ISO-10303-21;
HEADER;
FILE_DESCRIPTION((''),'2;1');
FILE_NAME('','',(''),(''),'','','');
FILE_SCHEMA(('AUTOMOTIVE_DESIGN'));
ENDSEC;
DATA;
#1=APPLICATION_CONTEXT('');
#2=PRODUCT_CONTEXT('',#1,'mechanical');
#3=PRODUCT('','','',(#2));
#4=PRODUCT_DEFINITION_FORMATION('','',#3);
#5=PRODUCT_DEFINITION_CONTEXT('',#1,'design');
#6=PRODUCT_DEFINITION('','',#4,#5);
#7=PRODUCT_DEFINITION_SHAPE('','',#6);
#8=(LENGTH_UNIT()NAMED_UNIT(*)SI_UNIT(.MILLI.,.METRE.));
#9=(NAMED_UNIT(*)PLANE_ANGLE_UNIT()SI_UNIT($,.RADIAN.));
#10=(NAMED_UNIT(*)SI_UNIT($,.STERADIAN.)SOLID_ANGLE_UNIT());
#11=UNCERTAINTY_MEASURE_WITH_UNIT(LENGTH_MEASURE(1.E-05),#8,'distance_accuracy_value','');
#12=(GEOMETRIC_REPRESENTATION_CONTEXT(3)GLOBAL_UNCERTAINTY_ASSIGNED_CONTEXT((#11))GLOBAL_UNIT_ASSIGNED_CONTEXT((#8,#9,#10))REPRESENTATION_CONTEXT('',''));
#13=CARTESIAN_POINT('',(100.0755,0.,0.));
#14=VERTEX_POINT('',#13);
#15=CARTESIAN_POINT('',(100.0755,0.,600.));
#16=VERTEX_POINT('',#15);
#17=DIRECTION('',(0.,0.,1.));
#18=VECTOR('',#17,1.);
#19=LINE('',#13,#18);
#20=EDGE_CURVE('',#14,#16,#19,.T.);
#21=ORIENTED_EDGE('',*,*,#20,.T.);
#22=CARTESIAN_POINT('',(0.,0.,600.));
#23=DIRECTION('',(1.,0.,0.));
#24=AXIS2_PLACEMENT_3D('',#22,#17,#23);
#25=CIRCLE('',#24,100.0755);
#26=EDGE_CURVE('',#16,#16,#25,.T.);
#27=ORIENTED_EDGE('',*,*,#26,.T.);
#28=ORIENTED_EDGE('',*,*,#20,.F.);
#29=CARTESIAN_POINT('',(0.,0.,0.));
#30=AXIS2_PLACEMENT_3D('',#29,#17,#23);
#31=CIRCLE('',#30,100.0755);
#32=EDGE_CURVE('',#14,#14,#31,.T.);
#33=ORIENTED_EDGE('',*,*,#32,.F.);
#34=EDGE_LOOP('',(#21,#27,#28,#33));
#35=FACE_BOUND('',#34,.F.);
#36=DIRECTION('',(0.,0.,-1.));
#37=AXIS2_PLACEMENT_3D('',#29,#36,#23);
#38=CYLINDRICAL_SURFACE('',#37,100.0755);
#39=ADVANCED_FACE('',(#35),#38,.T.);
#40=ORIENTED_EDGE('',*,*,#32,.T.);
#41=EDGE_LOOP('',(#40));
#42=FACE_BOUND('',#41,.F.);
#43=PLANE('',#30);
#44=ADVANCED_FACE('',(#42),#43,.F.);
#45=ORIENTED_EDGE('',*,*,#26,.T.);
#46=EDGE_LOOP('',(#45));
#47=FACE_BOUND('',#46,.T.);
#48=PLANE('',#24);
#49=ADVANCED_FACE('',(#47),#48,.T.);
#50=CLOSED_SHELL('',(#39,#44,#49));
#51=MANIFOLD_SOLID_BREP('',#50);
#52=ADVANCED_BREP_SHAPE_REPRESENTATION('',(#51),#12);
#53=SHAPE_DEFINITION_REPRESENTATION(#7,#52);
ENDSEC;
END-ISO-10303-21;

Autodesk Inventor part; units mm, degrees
ref_plane "YZ Plane" through (0, 0, 0) normal (1, 0, 0) x (0, 1, 0)
ref_plane "XY Plane" through (0, 0, 0) normal (0, 0, 1) x (1, 0, 0)
sketch "Sketch1" plane through (0, 0, 0) normal (0, 0, 1) x (1, 0, 0)
  circle A0 centre (0, 0) radius 100.0755
  dimension "d0" = 200
extrude "Extrusion1" add sketch "Sketch1" along normal blind 600
ref_plane "Work Plane1" through (0, 100.0755, 0) normal (0, 1, 0) x (-1, 0, 0)
equation "\"d0\" = D_agujero"
equation "\"d1\" = 12 * espesor"
equation "\"d3\" = 0"
equation "\"d6\" = 0"
equation "\"D_agujero\" = 200"
equation "\"espesor\" = 50"
properties part number "eje_Agujero"
